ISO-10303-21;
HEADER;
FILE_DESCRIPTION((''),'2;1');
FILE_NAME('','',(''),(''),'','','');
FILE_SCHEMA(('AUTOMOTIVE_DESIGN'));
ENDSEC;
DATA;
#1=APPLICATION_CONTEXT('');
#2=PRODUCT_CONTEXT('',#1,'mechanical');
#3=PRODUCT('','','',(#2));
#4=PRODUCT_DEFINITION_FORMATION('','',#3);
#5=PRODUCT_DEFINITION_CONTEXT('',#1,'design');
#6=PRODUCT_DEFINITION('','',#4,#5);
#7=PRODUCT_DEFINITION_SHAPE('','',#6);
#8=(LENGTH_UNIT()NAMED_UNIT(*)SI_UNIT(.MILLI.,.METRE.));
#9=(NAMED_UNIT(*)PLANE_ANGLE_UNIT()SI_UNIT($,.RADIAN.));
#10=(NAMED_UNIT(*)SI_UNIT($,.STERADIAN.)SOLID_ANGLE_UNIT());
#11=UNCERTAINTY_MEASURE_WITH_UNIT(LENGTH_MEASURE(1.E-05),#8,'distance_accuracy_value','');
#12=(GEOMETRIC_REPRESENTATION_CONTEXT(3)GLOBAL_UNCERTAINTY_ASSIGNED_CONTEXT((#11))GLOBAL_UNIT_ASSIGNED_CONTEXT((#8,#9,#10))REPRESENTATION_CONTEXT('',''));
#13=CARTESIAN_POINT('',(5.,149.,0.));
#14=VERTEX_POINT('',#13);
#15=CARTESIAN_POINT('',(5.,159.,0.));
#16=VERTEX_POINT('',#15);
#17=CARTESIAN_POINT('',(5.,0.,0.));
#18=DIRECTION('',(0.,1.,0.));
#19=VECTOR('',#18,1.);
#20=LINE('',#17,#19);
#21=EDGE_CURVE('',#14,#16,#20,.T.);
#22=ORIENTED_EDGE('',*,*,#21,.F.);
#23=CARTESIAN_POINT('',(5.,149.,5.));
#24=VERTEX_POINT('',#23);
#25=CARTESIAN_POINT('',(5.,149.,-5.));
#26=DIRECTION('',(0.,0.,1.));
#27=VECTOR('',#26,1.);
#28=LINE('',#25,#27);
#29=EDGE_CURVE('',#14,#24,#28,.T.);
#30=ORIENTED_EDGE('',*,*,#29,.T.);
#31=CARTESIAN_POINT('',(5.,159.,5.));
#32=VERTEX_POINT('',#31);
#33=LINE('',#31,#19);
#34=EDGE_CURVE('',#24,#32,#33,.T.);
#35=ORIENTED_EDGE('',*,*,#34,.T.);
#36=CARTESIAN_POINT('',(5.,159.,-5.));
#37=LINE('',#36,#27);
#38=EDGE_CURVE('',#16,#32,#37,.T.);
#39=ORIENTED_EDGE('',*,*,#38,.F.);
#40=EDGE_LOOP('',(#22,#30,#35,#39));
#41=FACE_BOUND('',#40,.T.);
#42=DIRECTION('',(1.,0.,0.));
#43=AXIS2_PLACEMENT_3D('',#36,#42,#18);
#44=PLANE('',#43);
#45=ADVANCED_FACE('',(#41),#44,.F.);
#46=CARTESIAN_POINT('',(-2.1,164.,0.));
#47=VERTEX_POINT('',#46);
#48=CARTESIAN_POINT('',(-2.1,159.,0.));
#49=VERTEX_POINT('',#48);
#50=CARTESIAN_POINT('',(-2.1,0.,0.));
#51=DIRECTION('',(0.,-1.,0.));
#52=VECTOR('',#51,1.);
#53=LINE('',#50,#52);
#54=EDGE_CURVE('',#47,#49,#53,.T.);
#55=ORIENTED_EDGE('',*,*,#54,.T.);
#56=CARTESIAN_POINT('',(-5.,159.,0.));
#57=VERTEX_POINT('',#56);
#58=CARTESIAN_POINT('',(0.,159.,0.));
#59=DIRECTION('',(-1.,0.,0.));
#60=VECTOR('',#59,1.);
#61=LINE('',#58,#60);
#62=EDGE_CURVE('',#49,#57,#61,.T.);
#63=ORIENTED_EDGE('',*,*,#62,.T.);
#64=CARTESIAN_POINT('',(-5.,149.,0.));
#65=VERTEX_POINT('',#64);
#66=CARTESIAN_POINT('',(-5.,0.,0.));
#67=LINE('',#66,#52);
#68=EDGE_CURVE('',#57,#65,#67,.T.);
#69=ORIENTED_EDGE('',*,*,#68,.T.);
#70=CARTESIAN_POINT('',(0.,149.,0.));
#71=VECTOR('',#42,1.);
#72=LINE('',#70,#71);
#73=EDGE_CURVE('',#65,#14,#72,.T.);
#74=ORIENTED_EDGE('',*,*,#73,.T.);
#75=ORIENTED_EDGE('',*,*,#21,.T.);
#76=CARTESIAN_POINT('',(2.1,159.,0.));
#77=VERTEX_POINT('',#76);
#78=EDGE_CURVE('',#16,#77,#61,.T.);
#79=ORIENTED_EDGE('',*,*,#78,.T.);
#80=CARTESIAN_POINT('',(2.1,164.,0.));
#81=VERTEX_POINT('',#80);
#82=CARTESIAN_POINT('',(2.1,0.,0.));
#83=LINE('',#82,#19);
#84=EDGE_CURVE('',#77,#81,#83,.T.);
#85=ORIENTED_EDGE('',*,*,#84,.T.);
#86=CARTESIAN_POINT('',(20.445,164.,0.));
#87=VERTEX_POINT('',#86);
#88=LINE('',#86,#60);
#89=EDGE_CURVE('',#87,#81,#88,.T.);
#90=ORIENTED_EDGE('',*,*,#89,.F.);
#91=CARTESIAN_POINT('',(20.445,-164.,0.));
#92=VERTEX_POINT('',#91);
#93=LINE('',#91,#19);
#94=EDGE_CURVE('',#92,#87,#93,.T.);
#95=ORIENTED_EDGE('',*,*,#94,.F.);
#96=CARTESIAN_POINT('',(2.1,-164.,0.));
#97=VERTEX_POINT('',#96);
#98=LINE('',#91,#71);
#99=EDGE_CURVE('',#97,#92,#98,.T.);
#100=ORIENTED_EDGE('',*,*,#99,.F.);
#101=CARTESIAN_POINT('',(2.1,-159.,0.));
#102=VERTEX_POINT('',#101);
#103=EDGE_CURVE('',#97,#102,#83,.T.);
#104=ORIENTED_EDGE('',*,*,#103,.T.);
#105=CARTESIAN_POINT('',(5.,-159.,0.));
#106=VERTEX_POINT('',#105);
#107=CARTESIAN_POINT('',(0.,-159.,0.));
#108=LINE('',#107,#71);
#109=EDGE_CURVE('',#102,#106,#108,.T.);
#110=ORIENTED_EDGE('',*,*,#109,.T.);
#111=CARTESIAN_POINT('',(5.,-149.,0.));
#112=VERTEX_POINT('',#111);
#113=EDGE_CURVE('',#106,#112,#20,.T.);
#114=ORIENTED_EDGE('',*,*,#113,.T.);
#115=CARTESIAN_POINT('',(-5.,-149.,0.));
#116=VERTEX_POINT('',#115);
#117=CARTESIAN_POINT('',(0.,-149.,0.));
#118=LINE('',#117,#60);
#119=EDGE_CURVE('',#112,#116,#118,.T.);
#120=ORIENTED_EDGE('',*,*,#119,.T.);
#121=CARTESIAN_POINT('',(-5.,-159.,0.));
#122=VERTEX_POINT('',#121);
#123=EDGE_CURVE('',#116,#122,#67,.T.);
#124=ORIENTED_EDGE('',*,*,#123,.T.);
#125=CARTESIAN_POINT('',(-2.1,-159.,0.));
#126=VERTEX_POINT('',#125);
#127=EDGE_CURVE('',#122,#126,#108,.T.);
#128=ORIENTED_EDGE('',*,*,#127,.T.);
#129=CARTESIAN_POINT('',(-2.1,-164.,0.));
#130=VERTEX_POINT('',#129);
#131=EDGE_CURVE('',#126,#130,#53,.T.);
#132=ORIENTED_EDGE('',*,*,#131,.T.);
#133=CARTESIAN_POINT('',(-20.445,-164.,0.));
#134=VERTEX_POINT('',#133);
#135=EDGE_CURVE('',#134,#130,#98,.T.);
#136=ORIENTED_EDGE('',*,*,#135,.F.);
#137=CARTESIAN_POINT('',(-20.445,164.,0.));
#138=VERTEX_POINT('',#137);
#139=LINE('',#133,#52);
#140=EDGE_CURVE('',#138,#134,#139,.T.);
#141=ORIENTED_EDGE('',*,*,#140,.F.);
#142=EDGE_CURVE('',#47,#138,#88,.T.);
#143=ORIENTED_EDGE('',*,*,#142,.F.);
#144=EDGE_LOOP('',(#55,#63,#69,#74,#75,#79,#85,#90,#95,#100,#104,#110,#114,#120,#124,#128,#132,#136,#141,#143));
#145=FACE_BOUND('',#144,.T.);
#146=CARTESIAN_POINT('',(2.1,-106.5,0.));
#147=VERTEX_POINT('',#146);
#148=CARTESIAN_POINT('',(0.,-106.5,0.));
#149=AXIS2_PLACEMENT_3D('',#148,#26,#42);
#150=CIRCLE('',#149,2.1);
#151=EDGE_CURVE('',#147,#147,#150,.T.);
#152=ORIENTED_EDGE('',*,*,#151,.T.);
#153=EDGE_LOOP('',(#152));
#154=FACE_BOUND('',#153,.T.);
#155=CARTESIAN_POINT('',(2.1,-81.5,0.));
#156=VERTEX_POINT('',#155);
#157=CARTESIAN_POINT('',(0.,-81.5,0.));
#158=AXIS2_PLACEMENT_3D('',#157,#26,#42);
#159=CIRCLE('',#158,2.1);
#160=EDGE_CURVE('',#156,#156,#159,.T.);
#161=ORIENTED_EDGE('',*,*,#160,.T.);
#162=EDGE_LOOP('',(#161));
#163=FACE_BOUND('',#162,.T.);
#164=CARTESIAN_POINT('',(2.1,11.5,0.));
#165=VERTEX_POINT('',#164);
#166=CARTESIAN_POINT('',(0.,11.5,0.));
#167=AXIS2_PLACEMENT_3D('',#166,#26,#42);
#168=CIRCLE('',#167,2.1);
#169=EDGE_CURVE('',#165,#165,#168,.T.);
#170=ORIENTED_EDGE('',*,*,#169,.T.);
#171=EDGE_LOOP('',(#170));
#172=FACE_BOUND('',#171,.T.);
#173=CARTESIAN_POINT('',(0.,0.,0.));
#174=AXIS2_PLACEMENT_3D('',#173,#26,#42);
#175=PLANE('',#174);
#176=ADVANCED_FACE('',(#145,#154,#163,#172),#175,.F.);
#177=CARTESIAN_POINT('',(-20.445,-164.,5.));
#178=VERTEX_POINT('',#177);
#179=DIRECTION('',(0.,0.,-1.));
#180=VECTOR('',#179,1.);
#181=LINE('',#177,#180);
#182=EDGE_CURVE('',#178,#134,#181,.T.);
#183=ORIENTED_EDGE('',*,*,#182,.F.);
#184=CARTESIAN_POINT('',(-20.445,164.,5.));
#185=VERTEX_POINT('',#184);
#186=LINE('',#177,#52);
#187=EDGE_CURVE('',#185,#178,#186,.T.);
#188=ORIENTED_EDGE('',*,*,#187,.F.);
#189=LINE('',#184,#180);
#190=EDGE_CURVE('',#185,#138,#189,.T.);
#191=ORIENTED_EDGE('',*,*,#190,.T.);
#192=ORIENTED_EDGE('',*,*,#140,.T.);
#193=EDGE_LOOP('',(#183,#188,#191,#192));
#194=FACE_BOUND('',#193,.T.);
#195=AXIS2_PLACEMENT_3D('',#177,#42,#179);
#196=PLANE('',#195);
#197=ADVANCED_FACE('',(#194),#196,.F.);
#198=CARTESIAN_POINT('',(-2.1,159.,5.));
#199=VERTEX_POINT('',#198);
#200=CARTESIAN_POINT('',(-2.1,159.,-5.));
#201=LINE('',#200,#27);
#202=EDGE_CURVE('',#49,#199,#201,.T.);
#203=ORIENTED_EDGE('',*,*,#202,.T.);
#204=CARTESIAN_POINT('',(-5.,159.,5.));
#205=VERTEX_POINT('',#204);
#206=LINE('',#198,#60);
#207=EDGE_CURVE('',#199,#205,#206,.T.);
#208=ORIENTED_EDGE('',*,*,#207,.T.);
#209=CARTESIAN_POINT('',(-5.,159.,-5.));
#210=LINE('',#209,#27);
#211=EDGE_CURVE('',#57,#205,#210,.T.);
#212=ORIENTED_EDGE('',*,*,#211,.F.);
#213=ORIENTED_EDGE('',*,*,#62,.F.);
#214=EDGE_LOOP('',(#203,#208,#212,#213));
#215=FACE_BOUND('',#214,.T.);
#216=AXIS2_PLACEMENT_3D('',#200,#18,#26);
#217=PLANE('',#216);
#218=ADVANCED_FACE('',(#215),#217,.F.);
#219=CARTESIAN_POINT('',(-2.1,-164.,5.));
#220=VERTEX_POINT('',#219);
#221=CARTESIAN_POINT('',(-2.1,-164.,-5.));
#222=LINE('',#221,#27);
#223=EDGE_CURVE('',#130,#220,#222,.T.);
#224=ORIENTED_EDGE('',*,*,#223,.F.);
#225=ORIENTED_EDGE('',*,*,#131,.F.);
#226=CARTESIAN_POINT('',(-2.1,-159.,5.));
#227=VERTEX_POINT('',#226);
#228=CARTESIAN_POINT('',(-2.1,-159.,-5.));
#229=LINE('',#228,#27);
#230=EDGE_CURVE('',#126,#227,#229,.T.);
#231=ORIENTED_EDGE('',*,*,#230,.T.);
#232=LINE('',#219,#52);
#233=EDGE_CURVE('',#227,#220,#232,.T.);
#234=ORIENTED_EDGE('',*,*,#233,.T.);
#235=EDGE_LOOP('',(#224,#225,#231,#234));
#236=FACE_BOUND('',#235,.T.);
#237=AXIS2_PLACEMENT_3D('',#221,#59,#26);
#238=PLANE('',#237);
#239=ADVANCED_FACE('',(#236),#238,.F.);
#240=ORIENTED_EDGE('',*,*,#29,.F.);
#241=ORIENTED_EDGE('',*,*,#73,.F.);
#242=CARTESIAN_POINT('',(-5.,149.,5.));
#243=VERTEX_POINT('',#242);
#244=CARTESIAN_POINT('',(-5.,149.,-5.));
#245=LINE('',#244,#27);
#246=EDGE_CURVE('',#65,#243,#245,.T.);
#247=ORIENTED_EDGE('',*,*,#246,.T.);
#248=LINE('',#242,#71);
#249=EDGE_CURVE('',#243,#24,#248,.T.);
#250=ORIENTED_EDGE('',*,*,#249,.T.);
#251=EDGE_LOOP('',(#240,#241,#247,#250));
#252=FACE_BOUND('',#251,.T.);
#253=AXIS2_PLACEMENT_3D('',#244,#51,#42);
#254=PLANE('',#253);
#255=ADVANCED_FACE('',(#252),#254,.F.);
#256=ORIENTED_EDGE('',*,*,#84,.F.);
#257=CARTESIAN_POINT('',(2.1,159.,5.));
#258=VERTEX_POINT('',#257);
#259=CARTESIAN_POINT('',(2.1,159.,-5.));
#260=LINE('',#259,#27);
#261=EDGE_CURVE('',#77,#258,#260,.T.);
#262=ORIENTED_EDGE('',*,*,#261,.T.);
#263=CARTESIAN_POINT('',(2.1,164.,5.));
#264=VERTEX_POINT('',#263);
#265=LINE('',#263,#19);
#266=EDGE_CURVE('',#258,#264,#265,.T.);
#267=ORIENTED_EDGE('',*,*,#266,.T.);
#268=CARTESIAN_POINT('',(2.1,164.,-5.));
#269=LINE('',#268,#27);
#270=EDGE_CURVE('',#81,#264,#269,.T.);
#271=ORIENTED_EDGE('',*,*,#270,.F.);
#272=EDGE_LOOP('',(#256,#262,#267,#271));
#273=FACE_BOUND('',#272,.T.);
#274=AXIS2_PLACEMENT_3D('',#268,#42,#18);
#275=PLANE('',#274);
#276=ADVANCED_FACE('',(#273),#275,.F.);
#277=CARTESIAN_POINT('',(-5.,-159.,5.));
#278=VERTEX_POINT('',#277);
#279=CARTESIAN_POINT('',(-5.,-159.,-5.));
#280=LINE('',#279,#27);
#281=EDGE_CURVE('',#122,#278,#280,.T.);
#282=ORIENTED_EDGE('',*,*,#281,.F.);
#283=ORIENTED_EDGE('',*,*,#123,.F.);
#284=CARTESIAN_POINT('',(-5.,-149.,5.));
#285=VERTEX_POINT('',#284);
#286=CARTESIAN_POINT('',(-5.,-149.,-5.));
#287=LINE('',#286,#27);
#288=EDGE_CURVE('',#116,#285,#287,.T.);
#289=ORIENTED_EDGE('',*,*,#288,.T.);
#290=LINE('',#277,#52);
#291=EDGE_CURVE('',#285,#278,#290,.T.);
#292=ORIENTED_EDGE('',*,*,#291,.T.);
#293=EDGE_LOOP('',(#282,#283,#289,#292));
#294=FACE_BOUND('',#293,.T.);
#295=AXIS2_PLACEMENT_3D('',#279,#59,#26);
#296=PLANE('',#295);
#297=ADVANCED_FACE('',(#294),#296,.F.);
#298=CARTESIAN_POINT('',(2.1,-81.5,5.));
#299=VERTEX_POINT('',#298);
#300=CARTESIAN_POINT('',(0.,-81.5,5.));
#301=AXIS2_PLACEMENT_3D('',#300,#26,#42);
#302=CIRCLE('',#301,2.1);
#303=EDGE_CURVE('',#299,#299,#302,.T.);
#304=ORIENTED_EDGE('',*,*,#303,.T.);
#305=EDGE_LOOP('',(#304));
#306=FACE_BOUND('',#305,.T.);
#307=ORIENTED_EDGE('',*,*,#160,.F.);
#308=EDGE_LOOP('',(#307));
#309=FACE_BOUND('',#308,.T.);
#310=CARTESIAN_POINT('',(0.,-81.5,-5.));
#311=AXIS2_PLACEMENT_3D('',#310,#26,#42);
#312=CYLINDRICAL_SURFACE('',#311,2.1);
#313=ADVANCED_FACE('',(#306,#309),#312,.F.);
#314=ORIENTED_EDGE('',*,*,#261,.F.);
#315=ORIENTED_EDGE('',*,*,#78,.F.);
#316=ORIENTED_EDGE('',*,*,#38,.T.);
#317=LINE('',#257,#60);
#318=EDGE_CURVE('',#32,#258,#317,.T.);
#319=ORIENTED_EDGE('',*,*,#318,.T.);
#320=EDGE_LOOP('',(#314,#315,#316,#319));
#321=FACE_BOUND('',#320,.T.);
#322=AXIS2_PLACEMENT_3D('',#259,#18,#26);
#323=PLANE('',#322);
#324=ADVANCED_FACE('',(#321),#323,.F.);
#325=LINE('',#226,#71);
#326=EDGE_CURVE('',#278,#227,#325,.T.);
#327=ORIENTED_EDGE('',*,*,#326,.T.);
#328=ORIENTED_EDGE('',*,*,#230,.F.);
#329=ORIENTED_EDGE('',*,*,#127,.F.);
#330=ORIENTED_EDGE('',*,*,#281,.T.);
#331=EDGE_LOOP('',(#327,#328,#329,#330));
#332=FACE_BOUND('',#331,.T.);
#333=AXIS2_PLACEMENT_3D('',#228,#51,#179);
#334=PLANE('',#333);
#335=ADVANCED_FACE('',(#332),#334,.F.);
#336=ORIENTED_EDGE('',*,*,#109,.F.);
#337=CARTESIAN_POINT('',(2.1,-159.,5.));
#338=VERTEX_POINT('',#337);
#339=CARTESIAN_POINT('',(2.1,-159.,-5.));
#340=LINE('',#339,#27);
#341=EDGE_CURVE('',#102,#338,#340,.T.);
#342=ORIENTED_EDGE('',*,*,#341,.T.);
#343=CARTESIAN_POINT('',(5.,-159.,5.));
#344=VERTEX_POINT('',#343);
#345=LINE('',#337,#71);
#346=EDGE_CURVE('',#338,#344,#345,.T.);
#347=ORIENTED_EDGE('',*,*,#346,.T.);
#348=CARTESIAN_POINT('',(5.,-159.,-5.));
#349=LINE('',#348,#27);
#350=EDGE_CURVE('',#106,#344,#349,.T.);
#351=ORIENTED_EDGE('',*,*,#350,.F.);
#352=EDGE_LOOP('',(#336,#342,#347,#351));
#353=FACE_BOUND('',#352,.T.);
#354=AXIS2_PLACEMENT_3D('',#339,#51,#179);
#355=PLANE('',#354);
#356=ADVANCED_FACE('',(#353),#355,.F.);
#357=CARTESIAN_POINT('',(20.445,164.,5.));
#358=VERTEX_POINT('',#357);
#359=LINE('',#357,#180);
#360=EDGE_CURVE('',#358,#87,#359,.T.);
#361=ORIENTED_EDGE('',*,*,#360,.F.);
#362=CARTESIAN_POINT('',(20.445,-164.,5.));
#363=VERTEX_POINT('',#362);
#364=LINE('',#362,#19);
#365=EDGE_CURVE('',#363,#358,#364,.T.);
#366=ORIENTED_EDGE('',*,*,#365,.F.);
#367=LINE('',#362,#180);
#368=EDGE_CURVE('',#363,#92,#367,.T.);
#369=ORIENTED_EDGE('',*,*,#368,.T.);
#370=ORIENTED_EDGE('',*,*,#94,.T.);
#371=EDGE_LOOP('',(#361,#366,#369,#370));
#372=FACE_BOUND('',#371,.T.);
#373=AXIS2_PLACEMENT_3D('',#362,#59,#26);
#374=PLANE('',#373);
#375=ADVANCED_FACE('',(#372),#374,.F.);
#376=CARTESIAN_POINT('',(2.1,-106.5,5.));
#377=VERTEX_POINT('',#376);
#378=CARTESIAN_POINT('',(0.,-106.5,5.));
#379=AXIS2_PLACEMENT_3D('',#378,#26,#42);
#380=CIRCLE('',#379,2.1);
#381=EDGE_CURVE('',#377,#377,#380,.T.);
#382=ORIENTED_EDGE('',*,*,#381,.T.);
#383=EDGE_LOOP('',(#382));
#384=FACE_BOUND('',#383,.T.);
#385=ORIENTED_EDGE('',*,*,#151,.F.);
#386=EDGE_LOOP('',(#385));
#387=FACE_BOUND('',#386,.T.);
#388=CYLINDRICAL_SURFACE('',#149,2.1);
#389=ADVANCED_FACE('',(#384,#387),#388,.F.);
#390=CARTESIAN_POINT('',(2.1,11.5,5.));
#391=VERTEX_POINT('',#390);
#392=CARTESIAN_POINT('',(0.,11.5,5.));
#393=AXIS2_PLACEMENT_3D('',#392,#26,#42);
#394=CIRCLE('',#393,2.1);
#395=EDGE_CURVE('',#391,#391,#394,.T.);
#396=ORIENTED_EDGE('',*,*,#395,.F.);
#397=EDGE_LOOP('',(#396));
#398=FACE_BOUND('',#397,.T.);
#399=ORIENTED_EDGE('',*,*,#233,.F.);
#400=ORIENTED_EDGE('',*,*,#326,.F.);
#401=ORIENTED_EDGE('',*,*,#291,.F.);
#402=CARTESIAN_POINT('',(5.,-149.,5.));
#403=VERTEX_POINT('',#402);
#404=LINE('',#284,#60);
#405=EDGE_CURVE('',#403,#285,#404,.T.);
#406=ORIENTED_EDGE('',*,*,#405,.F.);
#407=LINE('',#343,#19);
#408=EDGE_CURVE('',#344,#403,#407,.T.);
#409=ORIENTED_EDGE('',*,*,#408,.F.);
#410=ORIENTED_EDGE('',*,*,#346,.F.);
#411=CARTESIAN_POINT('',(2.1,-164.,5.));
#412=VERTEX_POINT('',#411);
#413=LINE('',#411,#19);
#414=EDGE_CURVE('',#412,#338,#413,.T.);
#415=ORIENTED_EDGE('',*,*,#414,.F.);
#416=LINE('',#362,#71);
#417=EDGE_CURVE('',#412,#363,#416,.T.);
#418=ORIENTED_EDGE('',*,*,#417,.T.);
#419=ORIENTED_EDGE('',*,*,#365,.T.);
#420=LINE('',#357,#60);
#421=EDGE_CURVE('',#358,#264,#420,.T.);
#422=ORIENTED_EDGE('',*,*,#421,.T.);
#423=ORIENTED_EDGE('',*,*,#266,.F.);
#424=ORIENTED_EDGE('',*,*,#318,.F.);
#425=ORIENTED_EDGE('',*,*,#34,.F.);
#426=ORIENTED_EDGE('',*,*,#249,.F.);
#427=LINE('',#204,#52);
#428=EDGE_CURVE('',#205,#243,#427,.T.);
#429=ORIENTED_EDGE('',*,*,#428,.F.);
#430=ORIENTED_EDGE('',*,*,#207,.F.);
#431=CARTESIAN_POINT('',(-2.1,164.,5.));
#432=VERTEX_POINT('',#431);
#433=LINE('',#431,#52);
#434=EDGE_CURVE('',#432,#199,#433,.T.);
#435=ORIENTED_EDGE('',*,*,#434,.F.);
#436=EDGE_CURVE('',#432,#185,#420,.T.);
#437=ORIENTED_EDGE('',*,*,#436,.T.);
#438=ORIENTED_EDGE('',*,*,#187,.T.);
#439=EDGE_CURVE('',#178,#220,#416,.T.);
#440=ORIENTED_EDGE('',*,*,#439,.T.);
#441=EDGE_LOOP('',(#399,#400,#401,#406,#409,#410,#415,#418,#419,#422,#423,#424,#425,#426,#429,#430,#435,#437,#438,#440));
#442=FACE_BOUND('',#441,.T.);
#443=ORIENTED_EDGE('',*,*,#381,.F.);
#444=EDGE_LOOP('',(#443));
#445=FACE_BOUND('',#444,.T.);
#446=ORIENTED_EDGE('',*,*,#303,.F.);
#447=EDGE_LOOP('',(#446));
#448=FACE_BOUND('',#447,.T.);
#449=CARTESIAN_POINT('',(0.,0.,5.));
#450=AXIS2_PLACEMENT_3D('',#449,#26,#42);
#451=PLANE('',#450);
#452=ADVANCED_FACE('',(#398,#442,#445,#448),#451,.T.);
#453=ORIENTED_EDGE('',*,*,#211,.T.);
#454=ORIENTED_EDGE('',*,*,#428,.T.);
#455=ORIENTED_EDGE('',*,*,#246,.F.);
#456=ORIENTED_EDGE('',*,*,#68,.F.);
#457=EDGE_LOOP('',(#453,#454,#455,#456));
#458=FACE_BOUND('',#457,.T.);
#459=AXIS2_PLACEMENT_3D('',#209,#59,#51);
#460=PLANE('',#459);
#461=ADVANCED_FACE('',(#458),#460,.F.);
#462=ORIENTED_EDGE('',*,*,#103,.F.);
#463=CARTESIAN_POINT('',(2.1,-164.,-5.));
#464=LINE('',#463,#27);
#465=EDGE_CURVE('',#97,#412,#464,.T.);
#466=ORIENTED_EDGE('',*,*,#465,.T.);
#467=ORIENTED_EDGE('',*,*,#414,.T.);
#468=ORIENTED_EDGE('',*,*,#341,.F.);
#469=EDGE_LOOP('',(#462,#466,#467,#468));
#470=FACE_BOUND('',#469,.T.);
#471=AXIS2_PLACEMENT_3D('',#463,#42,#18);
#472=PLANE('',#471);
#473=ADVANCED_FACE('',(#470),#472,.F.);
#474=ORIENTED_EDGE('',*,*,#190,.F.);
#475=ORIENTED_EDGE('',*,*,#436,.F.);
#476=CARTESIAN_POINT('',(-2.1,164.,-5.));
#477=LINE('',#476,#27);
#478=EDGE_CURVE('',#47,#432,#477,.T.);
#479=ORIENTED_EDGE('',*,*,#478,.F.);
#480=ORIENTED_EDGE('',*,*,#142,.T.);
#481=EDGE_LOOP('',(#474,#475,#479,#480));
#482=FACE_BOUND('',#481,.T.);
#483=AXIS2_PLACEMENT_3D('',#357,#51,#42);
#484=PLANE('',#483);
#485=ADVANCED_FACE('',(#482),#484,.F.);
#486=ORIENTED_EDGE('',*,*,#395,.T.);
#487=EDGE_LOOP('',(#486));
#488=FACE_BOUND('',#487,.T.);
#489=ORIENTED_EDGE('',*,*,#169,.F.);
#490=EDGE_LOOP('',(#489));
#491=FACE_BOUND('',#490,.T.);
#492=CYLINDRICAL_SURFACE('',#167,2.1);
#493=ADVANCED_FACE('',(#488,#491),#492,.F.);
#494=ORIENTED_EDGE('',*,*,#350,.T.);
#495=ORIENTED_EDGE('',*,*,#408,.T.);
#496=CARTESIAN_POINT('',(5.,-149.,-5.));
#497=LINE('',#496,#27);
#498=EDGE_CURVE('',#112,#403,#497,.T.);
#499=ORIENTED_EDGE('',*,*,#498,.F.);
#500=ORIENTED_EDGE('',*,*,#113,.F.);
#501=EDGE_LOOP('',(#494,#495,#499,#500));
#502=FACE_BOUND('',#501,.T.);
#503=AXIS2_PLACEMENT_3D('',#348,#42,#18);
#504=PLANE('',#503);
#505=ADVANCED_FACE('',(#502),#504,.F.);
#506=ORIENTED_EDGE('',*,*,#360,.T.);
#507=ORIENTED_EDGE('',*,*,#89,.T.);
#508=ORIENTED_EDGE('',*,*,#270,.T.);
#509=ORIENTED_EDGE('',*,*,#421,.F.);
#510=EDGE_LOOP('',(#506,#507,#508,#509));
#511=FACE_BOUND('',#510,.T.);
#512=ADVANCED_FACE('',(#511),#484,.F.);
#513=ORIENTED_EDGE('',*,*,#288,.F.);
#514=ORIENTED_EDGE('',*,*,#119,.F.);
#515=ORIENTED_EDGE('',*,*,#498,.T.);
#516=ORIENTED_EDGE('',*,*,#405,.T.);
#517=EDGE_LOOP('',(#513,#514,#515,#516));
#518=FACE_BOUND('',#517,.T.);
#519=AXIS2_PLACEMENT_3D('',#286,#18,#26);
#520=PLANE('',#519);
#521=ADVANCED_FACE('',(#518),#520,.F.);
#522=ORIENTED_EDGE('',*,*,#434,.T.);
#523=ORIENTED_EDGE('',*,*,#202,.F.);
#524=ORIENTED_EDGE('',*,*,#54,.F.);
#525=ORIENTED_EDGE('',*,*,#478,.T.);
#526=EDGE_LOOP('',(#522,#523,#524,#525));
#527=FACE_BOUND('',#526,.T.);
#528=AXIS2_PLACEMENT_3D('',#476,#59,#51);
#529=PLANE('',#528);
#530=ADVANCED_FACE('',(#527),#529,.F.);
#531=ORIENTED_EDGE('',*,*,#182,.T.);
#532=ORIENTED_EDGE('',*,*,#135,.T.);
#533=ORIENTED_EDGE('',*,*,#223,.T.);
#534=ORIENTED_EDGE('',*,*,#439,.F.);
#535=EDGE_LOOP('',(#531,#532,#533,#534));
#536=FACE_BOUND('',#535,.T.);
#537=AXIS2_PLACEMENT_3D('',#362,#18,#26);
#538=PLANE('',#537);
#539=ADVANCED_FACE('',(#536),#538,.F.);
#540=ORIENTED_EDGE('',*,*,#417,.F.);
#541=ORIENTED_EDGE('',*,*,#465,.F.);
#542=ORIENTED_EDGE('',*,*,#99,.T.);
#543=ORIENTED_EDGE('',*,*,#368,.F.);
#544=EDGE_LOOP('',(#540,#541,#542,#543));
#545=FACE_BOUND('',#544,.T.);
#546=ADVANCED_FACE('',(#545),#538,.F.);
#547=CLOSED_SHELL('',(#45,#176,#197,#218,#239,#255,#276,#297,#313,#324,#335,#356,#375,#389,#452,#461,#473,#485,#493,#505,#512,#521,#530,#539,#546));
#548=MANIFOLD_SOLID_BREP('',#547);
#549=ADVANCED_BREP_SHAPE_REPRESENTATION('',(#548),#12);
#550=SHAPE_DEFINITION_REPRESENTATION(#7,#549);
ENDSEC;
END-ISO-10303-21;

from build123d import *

# Parameters (mm, degrees)
SKETCH1_W           = 40.89
SKETCH1_H           = 328
BOSS_EXTRUDE1_DEPTH = 5
SKETCH2_R           = 2.1
CUT_EXTRUDE1_DEPTH  = 10
CUT_EXTRUDE2_DEPTH  = 10
SKETCH4_R           = 2.1
CUT_EXTRUDE3_DEPTH  = 5
SKETCH5_R           = 2.1
CUT_EXTRUDE4_DEPTH  = 5


with BuildPart() as part:
    # Sketch1 → Boss-Extrude1 (new body)
    with BuildSketch(Plane.XY):
        Rectangle(SKETCH1_W, SKETCH1_H)
    extrude(amount=BOSS_EXTRUDE1_DEPTH)

    # Sketch2 → Cut-Extrude1 (cut)
    with BuildSketch(Plane.XY.offset(5)):
        with Locations((0, -81.5)):
            Circle(SKETCH2_R)
    extrude(amount=-CUT_EXTRUDE1_DEPTH, mode=Mode.SUBTRACT)

    # Sketch3 → Cut-Extrude2 (cut)
    with BuildSketch(Plane.XY.offset(5)):
        Polygon((-2.1, -164), (-2.1, -159), (-5, -159), (-5, -149), (5, -149), (5, -159), (2.1, -159), (2.1, -164), align=None)
        Polygon((2.1, 164), (2.1, 159), (5, 159), (5, 149), (-5, 149), (-5, 159), (-2.1, 159), (-2.1, 164), align=None)
    extrude(amount=-CUT_EXTRUDE2_DEPTH, mode=Mode.SUBTRACT)

    # Sketch4 → Cut-Extrude3 (cut)
    with BuildSketch(Plane.XY.offset(5)):
        with Locations((0, -106.5)):
            Circle(SKETCH4_R)
    extrude(amount=-CUT_EXTRUDE3_DEPTH, mode=Mode.SUBTRACT)

    # Sketch5 → Cut-Extrude4 (cut)
    with BuildSketch(Plane.XY.offset(5)):
        with Locations((0, 11.5)):
            Circle(SKETCH5_R)
    extrude(amount=-CUT_EXTRUDE4_DEPTH, mode=Mode.SUBTRACT)


solid = part.part
